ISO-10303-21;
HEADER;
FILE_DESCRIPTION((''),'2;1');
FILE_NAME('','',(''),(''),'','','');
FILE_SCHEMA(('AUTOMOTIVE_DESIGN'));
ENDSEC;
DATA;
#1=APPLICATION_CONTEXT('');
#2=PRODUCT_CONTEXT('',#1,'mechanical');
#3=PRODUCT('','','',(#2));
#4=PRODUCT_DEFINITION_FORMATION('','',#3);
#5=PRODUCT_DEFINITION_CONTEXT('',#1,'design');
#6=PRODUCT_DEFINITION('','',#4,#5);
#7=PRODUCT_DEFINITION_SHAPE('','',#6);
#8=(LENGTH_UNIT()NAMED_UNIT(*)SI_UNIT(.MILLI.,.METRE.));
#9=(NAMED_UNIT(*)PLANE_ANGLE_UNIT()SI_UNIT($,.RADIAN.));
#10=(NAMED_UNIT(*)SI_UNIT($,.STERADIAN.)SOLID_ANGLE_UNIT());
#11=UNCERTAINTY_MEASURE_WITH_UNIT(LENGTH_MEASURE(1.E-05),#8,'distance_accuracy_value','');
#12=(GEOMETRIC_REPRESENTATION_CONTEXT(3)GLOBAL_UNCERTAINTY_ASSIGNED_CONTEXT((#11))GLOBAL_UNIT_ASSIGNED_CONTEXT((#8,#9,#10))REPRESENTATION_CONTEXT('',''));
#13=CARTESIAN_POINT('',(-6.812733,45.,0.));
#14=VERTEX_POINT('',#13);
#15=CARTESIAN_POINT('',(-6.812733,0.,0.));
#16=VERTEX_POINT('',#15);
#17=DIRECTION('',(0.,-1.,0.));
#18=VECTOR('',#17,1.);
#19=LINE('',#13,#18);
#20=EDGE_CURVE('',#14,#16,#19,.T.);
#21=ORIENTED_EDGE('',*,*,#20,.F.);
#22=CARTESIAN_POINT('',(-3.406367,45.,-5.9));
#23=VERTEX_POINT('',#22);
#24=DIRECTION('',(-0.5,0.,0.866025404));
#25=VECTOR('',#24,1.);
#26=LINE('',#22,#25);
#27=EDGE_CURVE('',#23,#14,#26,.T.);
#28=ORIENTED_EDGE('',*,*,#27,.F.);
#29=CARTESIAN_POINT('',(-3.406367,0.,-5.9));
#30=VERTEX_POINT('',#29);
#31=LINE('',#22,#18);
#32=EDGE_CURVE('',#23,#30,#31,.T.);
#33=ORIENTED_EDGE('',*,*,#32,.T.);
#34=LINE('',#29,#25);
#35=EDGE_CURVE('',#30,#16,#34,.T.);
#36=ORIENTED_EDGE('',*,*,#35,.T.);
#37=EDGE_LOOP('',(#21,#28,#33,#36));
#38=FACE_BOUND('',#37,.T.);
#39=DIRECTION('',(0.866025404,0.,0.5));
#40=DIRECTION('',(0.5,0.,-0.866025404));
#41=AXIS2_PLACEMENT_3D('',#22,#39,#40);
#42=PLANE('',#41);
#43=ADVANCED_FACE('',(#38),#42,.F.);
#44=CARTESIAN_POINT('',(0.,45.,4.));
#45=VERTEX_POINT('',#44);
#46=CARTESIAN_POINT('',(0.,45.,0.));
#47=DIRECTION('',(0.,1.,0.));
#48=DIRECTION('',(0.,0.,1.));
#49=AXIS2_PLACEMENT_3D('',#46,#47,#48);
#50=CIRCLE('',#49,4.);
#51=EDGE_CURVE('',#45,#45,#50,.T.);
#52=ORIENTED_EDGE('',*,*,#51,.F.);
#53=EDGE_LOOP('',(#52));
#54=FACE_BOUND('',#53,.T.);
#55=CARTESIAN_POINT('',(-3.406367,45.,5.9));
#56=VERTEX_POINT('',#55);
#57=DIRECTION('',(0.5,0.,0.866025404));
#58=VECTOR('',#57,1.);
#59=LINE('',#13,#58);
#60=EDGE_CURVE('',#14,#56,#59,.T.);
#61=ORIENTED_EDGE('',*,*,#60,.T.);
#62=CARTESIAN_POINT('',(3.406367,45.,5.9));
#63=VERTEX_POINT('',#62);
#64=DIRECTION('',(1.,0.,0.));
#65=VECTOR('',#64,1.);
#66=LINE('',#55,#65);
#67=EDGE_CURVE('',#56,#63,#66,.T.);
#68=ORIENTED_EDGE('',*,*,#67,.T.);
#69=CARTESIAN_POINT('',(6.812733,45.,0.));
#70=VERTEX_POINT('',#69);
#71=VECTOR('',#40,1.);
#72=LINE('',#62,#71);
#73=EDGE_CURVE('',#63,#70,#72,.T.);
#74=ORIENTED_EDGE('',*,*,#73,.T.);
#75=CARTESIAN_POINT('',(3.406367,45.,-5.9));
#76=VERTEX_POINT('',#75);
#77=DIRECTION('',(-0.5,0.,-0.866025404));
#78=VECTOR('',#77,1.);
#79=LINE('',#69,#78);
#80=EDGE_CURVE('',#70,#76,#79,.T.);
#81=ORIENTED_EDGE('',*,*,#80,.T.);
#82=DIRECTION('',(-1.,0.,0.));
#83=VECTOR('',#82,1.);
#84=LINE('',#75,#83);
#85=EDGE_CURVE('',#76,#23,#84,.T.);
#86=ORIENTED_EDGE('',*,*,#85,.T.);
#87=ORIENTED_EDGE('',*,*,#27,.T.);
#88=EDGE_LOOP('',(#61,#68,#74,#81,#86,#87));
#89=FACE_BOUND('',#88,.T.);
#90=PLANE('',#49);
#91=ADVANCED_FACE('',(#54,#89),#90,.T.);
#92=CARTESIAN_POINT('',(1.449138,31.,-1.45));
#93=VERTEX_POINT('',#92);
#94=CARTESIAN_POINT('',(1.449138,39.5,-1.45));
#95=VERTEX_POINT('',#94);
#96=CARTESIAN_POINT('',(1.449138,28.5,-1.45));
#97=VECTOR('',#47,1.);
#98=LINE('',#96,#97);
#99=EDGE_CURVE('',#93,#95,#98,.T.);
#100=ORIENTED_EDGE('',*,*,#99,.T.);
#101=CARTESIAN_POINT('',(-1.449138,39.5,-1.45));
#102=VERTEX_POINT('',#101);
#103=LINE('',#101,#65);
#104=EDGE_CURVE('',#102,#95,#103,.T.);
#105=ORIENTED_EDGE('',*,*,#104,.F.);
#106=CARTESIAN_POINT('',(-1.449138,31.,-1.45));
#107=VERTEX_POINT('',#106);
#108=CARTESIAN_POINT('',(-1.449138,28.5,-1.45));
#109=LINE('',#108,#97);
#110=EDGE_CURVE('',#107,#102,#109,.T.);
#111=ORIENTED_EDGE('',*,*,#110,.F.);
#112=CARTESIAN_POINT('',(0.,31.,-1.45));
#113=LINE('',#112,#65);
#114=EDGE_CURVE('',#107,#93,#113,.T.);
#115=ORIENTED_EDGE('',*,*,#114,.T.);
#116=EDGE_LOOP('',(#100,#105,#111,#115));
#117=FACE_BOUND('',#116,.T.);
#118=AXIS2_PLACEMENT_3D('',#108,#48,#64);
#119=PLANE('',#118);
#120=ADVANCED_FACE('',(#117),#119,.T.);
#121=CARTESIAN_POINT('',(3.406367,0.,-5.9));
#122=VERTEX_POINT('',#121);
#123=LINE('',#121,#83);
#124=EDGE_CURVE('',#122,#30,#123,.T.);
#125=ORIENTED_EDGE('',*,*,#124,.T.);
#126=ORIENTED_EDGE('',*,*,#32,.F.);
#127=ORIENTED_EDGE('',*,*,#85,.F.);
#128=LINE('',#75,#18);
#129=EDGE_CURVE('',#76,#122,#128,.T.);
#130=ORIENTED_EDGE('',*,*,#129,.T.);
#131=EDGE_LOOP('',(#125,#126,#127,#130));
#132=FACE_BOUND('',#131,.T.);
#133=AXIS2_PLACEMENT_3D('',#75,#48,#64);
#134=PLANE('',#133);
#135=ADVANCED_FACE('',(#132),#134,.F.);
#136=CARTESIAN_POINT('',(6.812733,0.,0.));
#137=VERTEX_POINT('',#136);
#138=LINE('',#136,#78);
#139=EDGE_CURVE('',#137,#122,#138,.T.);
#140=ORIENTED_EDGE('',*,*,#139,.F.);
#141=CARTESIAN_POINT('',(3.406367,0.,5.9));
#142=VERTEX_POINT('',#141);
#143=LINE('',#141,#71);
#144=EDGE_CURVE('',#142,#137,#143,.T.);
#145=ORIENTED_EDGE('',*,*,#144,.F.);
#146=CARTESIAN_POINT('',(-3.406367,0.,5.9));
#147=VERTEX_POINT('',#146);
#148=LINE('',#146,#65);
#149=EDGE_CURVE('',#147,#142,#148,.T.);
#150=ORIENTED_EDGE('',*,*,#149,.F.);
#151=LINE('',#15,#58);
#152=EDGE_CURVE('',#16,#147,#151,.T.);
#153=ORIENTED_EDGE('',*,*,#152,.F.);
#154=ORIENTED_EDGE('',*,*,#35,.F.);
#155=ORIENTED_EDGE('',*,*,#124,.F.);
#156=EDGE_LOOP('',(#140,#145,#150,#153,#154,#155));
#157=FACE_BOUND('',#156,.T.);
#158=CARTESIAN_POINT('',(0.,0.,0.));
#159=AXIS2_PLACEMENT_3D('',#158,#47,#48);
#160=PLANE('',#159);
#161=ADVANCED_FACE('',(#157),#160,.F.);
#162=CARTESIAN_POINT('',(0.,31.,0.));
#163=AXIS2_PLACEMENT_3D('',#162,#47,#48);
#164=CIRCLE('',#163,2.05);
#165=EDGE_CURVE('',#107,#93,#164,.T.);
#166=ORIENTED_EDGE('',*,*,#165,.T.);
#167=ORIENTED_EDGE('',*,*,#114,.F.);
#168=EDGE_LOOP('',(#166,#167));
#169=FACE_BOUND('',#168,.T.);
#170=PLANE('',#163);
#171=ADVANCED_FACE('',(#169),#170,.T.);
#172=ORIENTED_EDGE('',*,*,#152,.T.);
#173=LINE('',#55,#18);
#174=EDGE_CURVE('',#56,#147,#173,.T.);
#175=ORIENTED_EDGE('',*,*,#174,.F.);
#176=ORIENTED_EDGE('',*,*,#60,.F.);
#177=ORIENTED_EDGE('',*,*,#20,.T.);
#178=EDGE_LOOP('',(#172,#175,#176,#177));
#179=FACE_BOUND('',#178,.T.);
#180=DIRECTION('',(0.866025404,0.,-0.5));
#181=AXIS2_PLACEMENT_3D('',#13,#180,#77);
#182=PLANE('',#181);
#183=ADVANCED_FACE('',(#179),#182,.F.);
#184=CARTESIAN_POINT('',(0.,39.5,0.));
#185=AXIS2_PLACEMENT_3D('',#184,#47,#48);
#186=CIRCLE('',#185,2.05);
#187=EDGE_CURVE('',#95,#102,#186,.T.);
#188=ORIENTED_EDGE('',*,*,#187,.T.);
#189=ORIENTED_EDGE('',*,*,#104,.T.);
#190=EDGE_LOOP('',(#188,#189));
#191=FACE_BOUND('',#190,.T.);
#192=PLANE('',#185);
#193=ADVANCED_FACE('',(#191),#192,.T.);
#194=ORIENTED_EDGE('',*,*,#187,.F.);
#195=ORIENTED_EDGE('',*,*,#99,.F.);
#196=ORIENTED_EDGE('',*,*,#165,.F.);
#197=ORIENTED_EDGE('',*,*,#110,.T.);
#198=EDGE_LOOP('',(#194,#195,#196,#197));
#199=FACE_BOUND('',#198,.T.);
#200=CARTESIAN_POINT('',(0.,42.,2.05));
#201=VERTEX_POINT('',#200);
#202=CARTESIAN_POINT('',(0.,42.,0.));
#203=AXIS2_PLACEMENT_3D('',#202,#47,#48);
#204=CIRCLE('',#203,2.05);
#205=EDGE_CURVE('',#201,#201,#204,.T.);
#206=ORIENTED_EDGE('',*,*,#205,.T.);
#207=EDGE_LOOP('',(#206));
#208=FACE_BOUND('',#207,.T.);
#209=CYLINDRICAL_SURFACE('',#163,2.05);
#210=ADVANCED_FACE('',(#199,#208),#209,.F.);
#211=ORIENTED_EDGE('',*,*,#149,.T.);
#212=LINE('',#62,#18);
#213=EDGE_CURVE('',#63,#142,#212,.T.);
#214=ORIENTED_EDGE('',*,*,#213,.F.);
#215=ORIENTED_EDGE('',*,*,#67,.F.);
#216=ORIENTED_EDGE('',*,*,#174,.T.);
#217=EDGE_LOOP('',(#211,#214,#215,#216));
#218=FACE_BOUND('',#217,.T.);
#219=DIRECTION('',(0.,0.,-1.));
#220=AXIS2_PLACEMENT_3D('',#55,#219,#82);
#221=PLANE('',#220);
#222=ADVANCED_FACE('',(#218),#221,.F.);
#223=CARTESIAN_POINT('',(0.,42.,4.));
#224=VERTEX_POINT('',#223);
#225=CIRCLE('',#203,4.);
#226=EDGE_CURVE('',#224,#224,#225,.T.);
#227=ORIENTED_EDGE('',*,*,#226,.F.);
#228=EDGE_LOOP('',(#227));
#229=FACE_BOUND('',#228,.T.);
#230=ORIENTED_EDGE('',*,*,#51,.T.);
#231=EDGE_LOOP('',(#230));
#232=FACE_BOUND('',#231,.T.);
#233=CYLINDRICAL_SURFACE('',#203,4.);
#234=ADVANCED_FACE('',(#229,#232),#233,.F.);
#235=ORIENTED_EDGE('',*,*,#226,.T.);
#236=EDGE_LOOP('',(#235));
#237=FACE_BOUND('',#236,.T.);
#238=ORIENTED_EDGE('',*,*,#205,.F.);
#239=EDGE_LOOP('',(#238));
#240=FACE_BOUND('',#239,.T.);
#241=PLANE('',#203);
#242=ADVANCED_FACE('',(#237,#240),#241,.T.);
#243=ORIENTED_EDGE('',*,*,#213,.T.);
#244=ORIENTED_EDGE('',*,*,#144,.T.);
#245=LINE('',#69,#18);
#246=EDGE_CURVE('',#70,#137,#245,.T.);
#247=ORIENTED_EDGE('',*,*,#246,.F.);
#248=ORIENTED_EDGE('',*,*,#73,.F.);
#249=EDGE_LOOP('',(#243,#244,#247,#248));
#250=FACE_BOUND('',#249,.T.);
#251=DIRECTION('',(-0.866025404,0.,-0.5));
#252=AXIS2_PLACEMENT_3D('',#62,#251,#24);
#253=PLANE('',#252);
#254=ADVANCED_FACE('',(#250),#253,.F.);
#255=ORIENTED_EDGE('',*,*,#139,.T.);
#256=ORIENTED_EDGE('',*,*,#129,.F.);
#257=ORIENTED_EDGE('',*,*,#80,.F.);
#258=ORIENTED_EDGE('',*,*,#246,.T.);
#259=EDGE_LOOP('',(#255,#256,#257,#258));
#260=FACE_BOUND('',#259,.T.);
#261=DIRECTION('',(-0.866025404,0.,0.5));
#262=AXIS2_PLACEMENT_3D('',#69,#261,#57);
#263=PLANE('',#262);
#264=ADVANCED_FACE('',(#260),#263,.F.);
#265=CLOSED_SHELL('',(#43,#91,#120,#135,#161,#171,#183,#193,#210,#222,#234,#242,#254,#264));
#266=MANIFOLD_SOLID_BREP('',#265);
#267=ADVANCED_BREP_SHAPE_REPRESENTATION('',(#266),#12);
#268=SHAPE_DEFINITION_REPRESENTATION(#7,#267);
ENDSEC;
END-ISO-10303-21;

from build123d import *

# Parameters (mm, degrees)
SALIENTE_EXTRUIR1_DEPTH = 45
CROQUIS2_R              = 4
CORTAR_EXTRUIR1_DEPTH   = 3
CROQUIS3_R              = 2.05
CORTAR_EXTRUIR2_DEPTH   = 11
SALIENTE_EXTRUIR2_DEPTH = 11


with BuildPart() as part:
    # Croquis1 → Saliente-Extruir1 (new body)
    with BuildSketch(Plane(origin=(0, 0, 0), x_dir=(1, 0, 0), z_dir=(0, 1, 0))):
        Polygon((6.812733176, 0), (3.406366588, 5.9), (-3.406366588, 5.9), (-6.812733176, 0), (-3.406366588, -5.9), (3.406366588, -5.9), align=None)
    extrude(amount=SALIENTE_EXTRUIR1_DEPTH)

    # Croquis2 → Cortar-Extruir1 (cut)
    with BuildSketch(Plane(origin=(0, 45, 0), x_dir=(1, 0, 0), z_dir=(0, 1, 0))):
        with Locations(Location((0, 0, 0), (0, 0, 270))):
            Circle(CROQUIS2_R)
    extrude(amount=-CORTAR_EXTRUIR1_DEPTH, mode=Mode.SUBTRACT)

    # Croquis3 → Cortar-Extruir2 (cut)
    with BuildSketch(Plane(origin=(0, 42, 0), x_dir=(1, 0, 0), z_dir=(0, 1, 0))):
        with Locations(Location((0, 0, 0), (0, 0, 270))):
            Circle(CROQUIS3_R)
    extrude(amount=-CORTAR_EXTRUIR2_DEPTH, mode=Mode.SUBTRACT)

    # Croquis4 → Saliente-Extruir2 (add)
    with BuildSketch(Plane(origin=(0, 39.5, 0), x_dir=(1, 0, 0), z_dir=(0, 1, 0))):
        with BuildLine():
            Line((-1.449137675, 1.45), (1.449137675, 1.45))
            ThreePointArc((1.449137675, 1.45), (0, 2.05), (-1.449137675, 1.45))
        make_face()
    extrude(amount=-SALIENTE_EXTRUIR2_DEPTH)


solid = part.part
